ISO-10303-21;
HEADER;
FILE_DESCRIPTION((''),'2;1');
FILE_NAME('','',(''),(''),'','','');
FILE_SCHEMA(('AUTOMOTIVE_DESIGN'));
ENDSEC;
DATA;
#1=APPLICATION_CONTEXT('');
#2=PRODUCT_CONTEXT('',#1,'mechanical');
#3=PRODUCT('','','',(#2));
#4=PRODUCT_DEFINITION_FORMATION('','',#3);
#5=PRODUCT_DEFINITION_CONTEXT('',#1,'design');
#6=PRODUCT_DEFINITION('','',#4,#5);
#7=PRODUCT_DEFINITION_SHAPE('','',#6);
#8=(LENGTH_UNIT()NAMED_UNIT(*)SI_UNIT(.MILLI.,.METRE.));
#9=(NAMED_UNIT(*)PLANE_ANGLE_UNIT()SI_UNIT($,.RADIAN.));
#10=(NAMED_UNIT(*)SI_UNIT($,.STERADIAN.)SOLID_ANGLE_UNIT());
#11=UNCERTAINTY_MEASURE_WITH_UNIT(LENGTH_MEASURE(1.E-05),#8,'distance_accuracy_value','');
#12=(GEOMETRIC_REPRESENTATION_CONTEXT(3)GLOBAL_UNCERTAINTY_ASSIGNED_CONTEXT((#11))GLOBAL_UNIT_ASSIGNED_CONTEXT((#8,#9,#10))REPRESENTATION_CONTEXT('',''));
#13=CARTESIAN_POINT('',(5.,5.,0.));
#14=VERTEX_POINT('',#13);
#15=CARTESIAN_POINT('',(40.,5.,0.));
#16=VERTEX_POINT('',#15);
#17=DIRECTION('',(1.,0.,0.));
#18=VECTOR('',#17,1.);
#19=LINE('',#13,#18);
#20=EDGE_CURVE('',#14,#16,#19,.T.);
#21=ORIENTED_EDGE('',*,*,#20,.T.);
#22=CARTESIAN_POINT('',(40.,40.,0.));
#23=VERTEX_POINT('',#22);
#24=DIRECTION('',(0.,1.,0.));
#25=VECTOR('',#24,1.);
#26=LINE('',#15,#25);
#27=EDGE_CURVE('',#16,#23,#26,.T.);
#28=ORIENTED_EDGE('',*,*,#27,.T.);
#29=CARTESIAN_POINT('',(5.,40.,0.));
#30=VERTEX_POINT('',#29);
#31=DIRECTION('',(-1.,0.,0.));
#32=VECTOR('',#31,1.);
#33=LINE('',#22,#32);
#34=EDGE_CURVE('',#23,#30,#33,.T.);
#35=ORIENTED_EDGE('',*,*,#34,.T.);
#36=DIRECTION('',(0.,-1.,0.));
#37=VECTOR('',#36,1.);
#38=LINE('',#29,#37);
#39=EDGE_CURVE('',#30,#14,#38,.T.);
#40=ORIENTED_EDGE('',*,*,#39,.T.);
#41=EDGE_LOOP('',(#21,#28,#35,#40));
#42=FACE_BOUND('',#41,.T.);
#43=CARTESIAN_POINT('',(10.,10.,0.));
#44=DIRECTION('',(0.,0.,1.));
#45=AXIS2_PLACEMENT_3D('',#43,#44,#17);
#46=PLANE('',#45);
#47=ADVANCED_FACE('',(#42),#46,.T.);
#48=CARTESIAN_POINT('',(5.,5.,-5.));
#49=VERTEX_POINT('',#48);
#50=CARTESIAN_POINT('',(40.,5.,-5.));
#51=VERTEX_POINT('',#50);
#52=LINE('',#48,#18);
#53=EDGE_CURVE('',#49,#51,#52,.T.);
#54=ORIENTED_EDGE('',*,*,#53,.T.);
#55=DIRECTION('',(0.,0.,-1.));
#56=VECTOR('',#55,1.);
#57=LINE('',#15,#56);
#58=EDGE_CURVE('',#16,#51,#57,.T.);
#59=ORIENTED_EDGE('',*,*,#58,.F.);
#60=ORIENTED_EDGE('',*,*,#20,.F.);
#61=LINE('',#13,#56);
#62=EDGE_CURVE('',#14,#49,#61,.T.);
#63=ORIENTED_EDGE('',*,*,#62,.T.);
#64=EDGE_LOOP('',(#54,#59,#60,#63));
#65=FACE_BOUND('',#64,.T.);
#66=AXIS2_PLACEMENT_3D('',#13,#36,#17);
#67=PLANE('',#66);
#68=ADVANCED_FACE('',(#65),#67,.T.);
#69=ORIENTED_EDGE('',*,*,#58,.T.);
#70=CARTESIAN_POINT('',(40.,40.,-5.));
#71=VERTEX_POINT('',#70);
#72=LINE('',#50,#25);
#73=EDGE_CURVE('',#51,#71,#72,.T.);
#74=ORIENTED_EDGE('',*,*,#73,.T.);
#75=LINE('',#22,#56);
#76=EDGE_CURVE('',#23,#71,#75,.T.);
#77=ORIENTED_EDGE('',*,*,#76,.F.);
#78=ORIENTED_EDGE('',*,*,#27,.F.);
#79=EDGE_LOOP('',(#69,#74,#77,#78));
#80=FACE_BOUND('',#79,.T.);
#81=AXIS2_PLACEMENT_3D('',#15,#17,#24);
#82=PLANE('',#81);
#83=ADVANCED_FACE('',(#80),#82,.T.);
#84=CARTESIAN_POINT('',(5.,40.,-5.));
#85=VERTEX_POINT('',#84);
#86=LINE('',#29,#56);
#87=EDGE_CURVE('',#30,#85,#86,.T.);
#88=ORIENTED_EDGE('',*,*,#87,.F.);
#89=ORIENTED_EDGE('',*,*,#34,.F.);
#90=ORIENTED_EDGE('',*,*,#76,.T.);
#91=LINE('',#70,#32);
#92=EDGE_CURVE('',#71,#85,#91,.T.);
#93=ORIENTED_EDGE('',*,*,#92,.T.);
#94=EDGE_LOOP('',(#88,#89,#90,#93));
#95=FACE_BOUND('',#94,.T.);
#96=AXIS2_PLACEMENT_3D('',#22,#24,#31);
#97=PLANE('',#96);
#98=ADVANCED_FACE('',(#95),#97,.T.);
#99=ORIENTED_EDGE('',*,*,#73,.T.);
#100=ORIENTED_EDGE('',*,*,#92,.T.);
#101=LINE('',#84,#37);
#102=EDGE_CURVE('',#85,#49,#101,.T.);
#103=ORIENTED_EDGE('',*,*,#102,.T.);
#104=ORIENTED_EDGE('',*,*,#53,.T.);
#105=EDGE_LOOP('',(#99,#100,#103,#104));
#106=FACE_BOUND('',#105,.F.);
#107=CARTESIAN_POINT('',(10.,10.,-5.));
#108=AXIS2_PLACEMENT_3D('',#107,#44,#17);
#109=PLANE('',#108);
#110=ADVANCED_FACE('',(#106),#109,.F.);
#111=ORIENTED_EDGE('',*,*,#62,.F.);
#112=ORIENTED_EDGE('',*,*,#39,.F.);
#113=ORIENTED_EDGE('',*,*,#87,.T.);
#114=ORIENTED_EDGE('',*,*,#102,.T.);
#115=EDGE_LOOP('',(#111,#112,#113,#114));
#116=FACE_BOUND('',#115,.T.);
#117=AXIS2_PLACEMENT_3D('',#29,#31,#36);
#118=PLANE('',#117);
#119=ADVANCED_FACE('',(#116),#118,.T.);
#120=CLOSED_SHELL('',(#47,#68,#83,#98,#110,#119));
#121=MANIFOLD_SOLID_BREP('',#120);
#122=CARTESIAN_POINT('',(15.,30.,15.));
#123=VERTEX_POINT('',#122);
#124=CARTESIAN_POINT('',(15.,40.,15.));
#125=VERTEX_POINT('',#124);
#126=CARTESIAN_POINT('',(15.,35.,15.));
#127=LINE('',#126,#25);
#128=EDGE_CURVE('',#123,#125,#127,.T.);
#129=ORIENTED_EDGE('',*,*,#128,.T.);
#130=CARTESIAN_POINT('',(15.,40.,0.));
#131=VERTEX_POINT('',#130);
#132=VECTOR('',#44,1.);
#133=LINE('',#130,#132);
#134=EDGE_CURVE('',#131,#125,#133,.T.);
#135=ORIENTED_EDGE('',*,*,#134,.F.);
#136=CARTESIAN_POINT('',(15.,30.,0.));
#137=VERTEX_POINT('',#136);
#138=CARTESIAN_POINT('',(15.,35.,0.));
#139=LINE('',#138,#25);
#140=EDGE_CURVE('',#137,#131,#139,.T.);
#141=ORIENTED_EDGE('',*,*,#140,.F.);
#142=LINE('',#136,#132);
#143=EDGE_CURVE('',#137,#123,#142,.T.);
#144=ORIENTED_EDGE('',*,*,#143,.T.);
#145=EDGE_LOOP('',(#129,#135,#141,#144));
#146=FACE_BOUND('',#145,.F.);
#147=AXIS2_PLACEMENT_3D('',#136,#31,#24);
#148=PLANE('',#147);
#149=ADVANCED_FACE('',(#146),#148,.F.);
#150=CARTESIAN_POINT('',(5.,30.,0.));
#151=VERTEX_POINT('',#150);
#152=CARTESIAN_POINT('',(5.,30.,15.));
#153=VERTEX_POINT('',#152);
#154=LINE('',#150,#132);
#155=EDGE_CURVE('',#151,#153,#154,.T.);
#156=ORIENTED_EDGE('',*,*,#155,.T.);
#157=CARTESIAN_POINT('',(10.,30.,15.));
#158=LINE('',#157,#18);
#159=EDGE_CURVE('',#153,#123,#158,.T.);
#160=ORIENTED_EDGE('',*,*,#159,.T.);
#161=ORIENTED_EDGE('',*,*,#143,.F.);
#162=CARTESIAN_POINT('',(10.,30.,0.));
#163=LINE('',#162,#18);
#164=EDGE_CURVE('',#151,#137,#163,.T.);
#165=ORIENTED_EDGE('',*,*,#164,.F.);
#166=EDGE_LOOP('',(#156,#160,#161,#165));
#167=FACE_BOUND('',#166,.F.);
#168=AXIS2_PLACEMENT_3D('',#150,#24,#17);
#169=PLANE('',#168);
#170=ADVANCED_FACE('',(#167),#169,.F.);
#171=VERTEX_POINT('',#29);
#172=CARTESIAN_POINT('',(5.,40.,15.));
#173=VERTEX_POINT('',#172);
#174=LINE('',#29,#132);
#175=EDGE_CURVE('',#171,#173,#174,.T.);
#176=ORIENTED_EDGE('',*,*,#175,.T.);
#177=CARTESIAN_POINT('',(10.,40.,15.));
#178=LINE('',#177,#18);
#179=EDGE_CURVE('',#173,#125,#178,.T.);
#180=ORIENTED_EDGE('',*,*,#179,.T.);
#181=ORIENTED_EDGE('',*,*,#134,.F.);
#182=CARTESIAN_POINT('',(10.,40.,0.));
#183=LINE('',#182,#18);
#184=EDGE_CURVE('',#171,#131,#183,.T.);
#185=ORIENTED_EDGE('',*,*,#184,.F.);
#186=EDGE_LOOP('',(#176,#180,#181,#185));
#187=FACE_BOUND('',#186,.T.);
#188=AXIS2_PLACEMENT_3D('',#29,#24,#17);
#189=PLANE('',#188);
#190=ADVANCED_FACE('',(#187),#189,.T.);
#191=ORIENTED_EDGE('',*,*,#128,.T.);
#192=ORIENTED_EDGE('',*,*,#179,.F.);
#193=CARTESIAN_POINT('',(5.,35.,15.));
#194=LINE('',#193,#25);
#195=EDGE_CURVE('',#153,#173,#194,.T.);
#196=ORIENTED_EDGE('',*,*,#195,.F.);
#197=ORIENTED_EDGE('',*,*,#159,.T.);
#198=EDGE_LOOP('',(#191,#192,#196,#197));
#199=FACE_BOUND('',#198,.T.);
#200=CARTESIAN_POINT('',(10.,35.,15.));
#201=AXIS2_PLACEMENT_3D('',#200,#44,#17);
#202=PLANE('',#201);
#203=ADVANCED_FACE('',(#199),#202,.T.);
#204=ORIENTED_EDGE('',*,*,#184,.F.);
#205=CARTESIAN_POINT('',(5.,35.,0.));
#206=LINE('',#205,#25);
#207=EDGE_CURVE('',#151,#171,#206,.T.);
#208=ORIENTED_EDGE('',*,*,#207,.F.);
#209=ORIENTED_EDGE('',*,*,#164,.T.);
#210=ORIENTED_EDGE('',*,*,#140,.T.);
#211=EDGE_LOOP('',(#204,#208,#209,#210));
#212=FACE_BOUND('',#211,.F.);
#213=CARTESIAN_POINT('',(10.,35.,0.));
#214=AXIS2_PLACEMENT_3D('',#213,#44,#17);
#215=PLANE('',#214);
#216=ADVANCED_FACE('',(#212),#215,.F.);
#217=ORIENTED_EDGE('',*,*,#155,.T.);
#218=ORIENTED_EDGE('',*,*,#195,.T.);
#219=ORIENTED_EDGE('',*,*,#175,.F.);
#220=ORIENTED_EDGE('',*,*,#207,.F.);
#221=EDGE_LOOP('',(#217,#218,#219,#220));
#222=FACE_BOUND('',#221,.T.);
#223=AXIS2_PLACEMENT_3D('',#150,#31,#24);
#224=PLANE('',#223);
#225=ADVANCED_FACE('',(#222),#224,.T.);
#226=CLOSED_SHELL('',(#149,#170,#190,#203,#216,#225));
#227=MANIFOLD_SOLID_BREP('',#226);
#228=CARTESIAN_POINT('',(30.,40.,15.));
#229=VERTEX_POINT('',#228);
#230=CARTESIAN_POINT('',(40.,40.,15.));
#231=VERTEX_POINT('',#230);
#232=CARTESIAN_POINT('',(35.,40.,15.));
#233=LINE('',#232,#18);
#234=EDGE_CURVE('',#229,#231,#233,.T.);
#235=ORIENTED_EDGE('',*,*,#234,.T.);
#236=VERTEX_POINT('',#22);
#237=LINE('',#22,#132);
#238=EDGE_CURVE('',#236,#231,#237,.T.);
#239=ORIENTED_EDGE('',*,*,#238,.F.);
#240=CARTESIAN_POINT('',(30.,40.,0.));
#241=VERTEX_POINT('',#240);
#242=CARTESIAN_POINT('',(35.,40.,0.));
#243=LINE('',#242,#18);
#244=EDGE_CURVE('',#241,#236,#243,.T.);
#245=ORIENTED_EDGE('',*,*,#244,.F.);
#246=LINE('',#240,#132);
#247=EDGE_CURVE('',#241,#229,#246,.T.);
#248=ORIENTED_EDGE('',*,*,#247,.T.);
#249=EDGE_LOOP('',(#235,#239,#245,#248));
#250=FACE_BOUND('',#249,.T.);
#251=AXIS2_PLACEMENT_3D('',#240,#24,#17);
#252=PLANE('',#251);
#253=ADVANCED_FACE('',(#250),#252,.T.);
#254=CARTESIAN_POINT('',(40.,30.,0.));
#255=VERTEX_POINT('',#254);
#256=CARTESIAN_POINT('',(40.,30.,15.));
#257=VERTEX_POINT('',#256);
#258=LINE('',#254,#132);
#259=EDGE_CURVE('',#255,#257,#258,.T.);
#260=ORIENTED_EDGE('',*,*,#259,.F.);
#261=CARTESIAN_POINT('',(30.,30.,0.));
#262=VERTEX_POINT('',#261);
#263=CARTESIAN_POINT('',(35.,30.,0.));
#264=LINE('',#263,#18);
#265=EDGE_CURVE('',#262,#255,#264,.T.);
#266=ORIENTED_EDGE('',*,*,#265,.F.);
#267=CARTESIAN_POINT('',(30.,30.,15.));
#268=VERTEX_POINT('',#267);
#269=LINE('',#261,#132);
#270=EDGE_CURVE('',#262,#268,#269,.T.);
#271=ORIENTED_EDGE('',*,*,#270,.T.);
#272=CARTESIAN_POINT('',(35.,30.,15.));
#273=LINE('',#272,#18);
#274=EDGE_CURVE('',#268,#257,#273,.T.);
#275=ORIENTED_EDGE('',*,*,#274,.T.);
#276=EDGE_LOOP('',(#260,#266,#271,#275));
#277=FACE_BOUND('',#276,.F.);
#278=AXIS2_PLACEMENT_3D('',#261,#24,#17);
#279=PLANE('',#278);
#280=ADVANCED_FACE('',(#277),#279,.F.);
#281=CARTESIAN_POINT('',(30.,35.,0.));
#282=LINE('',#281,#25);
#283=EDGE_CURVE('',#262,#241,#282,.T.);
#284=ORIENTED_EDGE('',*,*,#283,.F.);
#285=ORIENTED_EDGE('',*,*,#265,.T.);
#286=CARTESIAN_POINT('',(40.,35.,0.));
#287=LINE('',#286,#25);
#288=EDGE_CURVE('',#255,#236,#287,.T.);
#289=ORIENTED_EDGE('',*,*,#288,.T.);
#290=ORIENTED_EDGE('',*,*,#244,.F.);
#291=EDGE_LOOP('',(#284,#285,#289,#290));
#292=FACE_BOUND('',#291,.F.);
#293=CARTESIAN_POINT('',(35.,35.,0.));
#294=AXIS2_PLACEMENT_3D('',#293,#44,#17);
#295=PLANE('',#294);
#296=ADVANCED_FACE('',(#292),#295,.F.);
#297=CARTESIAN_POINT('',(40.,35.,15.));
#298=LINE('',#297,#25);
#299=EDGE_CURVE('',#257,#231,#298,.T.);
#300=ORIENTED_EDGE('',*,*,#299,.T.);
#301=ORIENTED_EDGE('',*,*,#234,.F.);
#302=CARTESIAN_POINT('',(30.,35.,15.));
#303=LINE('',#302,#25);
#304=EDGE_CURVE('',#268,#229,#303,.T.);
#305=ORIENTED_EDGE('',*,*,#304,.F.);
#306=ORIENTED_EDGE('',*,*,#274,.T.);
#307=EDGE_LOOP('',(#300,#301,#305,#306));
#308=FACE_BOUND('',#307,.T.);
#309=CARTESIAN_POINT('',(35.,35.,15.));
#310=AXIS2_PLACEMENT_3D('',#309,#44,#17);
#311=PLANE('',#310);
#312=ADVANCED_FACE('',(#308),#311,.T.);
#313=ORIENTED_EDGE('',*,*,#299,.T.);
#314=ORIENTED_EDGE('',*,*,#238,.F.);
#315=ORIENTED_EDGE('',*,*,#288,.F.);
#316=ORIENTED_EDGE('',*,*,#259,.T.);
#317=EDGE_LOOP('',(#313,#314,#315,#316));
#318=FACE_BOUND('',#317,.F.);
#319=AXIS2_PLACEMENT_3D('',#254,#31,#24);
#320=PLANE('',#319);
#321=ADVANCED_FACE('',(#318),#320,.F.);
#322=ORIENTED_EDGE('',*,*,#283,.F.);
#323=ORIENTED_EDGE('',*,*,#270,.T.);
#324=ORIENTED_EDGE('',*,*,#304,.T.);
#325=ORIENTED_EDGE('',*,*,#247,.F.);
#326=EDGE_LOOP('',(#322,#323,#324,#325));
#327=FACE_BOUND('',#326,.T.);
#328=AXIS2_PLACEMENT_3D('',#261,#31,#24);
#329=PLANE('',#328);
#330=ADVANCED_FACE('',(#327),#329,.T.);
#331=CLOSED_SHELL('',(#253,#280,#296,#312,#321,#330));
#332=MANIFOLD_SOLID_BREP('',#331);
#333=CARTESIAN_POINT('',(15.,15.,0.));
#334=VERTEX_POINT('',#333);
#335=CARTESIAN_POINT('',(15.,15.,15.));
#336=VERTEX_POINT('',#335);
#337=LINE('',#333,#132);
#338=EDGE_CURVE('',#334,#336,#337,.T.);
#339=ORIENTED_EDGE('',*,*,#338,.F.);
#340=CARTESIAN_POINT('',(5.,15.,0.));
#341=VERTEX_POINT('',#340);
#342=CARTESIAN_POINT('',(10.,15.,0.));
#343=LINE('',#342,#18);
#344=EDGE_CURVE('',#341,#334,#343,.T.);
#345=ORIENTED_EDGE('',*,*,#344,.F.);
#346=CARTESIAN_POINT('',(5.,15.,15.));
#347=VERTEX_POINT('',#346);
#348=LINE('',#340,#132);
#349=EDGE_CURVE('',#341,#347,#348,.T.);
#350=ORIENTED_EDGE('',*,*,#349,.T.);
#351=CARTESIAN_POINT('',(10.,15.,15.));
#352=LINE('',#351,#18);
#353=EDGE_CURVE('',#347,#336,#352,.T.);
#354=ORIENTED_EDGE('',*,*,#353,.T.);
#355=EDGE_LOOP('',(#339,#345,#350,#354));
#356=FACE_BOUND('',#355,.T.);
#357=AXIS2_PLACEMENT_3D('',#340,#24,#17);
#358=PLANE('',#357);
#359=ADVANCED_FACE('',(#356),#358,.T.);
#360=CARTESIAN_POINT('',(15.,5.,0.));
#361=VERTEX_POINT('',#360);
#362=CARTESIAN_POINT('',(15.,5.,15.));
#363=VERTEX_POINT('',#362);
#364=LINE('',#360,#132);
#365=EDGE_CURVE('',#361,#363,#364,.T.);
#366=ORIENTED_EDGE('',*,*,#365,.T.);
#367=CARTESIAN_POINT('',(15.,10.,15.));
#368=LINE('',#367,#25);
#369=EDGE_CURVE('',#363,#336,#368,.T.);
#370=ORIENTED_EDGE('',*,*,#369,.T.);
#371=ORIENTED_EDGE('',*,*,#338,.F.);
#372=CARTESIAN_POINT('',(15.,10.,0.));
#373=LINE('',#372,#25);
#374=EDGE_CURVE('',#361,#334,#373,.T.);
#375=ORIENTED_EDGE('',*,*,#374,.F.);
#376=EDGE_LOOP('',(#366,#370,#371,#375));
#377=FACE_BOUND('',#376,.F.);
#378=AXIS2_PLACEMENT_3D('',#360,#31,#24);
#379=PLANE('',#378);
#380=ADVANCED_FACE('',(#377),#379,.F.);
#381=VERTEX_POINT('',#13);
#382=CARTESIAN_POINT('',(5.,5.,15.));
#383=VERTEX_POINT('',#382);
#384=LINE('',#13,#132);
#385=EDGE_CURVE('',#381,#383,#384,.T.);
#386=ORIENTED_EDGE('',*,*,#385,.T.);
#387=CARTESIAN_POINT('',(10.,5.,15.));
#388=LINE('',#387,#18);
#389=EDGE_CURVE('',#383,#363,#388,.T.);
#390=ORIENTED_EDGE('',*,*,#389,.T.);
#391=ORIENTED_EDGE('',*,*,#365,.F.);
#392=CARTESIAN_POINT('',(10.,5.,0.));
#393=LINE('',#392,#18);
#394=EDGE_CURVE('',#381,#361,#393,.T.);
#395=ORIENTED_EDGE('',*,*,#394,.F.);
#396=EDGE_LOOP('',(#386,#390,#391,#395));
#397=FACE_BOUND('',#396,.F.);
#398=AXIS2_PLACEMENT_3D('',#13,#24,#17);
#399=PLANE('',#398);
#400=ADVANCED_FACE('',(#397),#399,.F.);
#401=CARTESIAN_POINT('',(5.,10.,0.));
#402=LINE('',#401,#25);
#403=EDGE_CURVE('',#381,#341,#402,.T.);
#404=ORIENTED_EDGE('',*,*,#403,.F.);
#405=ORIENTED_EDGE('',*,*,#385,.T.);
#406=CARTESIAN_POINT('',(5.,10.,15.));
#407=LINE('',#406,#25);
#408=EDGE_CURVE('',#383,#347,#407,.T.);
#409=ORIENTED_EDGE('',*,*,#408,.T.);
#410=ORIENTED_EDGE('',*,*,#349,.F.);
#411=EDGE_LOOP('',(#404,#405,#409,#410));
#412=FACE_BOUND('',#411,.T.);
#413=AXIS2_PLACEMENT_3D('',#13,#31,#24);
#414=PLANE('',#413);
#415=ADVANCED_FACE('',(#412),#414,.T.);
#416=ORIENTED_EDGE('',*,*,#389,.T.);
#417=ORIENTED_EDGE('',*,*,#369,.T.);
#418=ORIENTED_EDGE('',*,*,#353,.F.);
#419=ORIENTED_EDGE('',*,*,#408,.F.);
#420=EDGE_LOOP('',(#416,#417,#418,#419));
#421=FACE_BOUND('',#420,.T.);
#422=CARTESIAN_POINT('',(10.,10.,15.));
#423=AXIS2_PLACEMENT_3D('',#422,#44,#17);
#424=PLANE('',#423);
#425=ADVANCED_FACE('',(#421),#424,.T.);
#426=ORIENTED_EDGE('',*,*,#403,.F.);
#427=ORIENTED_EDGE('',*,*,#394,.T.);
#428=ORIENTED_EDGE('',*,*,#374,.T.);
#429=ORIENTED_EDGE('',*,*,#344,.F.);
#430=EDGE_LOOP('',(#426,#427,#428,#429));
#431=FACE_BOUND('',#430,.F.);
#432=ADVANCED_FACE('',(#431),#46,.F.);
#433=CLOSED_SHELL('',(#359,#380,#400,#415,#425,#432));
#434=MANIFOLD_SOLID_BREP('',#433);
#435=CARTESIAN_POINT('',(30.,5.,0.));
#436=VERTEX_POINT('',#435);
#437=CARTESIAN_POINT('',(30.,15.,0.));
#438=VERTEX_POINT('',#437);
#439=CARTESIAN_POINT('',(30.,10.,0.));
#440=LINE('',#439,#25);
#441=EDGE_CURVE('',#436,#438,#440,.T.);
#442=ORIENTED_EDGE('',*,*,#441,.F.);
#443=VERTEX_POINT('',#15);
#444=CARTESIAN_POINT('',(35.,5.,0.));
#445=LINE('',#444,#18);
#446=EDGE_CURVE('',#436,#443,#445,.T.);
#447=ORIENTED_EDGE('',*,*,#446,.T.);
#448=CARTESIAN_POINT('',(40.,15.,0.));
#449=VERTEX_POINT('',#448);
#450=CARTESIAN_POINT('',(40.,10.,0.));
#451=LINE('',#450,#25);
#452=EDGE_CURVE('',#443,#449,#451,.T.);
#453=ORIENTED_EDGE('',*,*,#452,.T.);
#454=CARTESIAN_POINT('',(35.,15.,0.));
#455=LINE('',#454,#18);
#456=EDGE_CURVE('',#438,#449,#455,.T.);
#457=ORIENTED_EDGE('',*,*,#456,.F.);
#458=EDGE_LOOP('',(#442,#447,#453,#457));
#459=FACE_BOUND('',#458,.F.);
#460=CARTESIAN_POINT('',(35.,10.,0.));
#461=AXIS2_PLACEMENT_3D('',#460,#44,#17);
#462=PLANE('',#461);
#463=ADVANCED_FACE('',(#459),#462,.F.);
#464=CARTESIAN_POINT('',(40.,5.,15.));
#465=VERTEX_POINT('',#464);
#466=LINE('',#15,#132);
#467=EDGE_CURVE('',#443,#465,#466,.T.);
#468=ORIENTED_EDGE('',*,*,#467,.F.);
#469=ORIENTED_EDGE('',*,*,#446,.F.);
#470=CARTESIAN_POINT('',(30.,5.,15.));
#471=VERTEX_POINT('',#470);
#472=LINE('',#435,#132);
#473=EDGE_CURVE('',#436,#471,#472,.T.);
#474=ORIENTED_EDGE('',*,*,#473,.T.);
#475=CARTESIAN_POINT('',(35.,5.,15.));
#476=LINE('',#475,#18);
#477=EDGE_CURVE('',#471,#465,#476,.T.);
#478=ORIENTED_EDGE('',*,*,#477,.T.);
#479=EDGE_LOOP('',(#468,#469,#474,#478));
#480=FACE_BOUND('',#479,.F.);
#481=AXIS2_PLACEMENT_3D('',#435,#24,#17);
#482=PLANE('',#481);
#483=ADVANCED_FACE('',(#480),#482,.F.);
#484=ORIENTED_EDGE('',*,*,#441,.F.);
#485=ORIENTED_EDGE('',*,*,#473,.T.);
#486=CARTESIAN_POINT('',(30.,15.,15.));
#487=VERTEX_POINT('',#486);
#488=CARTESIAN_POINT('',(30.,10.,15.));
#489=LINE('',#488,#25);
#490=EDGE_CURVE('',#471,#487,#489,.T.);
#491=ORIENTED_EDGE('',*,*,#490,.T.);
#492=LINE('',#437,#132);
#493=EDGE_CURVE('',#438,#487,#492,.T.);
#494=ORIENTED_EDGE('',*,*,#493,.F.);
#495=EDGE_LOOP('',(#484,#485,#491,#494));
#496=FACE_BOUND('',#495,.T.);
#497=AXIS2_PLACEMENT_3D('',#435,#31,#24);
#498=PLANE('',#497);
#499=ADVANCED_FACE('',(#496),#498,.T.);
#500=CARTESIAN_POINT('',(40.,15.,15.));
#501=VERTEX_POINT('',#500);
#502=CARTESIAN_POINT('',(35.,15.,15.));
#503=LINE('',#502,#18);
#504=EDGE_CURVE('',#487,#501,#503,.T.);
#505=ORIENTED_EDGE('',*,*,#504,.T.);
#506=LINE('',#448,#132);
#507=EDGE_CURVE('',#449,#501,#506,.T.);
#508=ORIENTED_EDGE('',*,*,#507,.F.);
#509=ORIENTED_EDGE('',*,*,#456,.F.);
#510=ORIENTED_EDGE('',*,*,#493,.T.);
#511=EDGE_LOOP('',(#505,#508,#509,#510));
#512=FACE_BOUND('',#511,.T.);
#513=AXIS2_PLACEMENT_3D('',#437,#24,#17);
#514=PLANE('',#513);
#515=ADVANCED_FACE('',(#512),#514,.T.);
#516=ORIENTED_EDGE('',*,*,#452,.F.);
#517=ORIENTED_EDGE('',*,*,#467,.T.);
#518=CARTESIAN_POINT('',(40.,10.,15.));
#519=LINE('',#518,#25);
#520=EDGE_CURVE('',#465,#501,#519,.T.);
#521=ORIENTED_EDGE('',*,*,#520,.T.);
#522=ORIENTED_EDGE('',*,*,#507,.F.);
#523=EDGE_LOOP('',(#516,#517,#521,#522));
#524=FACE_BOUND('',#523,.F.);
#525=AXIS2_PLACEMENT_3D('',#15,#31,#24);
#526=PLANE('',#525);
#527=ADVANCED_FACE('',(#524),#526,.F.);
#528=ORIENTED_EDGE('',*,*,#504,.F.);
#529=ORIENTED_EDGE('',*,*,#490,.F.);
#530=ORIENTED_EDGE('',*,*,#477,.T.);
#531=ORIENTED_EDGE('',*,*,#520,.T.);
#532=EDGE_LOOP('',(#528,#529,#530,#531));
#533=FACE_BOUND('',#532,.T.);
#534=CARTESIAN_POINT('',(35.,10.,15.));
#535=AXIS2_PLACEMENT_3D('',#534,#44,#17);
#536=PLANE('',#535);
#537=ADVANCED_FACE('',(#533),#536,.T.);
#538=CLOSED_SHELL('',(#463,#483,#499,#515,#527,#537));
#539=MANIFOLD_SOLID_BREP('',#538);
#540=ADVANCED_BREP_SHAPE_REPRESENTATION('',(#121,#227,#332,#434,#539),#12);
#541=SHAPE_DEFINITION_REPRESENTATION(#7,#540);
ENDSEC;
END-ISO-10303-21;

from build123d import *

# Parameters (mm, degrees)
F0_W     = 10
F0_H     = 10
F1_DEPTH = 15
F2_DEPTH = 5


with BuildPart() as f1:
    # F0 (on Top) → F1 (new body)
    with BuildSketch(Plane.XY):
        with Locations((35, 10)):
            Rectangle(F0_W, F0_H)
        with Locations((10, 10)):
            Rectangle(F0_W, F0_H)
        with Locations((10, 35)):
            Rectangle(F0_W, F0_H)
        with Locations((35, 35)):
            Rectangle(F0_W, F0_H)
    extrude(amount=F1_DEPTH)


with BuildPart() as f2:
    # F0 (on Top) → F2 (new body)
    with BuildSketch(Plane.XY):
        with Locations((10, 10)):
            Rectangle(F0_W, F0_H)
        Polygon((15, 15), (15, 5), (30, 5), (30, 15), (40, 15), (40, 30), (30, 30), (30, 40), (15, 40), (15, 30), (5, 30), (5, 15), align=None)
        with Locations((35, 10)):
            Rectangle(F0_W, F0_H)
        with Locations((10, 35)):
            Rectangle(F0_W, F0_H)
        with Locations((35, 35)):
            Rectangle(F0_W, F0_H)
    extrude(amount=-F2_DEPTH)


solid = Compound([f1.part, f2.part])
